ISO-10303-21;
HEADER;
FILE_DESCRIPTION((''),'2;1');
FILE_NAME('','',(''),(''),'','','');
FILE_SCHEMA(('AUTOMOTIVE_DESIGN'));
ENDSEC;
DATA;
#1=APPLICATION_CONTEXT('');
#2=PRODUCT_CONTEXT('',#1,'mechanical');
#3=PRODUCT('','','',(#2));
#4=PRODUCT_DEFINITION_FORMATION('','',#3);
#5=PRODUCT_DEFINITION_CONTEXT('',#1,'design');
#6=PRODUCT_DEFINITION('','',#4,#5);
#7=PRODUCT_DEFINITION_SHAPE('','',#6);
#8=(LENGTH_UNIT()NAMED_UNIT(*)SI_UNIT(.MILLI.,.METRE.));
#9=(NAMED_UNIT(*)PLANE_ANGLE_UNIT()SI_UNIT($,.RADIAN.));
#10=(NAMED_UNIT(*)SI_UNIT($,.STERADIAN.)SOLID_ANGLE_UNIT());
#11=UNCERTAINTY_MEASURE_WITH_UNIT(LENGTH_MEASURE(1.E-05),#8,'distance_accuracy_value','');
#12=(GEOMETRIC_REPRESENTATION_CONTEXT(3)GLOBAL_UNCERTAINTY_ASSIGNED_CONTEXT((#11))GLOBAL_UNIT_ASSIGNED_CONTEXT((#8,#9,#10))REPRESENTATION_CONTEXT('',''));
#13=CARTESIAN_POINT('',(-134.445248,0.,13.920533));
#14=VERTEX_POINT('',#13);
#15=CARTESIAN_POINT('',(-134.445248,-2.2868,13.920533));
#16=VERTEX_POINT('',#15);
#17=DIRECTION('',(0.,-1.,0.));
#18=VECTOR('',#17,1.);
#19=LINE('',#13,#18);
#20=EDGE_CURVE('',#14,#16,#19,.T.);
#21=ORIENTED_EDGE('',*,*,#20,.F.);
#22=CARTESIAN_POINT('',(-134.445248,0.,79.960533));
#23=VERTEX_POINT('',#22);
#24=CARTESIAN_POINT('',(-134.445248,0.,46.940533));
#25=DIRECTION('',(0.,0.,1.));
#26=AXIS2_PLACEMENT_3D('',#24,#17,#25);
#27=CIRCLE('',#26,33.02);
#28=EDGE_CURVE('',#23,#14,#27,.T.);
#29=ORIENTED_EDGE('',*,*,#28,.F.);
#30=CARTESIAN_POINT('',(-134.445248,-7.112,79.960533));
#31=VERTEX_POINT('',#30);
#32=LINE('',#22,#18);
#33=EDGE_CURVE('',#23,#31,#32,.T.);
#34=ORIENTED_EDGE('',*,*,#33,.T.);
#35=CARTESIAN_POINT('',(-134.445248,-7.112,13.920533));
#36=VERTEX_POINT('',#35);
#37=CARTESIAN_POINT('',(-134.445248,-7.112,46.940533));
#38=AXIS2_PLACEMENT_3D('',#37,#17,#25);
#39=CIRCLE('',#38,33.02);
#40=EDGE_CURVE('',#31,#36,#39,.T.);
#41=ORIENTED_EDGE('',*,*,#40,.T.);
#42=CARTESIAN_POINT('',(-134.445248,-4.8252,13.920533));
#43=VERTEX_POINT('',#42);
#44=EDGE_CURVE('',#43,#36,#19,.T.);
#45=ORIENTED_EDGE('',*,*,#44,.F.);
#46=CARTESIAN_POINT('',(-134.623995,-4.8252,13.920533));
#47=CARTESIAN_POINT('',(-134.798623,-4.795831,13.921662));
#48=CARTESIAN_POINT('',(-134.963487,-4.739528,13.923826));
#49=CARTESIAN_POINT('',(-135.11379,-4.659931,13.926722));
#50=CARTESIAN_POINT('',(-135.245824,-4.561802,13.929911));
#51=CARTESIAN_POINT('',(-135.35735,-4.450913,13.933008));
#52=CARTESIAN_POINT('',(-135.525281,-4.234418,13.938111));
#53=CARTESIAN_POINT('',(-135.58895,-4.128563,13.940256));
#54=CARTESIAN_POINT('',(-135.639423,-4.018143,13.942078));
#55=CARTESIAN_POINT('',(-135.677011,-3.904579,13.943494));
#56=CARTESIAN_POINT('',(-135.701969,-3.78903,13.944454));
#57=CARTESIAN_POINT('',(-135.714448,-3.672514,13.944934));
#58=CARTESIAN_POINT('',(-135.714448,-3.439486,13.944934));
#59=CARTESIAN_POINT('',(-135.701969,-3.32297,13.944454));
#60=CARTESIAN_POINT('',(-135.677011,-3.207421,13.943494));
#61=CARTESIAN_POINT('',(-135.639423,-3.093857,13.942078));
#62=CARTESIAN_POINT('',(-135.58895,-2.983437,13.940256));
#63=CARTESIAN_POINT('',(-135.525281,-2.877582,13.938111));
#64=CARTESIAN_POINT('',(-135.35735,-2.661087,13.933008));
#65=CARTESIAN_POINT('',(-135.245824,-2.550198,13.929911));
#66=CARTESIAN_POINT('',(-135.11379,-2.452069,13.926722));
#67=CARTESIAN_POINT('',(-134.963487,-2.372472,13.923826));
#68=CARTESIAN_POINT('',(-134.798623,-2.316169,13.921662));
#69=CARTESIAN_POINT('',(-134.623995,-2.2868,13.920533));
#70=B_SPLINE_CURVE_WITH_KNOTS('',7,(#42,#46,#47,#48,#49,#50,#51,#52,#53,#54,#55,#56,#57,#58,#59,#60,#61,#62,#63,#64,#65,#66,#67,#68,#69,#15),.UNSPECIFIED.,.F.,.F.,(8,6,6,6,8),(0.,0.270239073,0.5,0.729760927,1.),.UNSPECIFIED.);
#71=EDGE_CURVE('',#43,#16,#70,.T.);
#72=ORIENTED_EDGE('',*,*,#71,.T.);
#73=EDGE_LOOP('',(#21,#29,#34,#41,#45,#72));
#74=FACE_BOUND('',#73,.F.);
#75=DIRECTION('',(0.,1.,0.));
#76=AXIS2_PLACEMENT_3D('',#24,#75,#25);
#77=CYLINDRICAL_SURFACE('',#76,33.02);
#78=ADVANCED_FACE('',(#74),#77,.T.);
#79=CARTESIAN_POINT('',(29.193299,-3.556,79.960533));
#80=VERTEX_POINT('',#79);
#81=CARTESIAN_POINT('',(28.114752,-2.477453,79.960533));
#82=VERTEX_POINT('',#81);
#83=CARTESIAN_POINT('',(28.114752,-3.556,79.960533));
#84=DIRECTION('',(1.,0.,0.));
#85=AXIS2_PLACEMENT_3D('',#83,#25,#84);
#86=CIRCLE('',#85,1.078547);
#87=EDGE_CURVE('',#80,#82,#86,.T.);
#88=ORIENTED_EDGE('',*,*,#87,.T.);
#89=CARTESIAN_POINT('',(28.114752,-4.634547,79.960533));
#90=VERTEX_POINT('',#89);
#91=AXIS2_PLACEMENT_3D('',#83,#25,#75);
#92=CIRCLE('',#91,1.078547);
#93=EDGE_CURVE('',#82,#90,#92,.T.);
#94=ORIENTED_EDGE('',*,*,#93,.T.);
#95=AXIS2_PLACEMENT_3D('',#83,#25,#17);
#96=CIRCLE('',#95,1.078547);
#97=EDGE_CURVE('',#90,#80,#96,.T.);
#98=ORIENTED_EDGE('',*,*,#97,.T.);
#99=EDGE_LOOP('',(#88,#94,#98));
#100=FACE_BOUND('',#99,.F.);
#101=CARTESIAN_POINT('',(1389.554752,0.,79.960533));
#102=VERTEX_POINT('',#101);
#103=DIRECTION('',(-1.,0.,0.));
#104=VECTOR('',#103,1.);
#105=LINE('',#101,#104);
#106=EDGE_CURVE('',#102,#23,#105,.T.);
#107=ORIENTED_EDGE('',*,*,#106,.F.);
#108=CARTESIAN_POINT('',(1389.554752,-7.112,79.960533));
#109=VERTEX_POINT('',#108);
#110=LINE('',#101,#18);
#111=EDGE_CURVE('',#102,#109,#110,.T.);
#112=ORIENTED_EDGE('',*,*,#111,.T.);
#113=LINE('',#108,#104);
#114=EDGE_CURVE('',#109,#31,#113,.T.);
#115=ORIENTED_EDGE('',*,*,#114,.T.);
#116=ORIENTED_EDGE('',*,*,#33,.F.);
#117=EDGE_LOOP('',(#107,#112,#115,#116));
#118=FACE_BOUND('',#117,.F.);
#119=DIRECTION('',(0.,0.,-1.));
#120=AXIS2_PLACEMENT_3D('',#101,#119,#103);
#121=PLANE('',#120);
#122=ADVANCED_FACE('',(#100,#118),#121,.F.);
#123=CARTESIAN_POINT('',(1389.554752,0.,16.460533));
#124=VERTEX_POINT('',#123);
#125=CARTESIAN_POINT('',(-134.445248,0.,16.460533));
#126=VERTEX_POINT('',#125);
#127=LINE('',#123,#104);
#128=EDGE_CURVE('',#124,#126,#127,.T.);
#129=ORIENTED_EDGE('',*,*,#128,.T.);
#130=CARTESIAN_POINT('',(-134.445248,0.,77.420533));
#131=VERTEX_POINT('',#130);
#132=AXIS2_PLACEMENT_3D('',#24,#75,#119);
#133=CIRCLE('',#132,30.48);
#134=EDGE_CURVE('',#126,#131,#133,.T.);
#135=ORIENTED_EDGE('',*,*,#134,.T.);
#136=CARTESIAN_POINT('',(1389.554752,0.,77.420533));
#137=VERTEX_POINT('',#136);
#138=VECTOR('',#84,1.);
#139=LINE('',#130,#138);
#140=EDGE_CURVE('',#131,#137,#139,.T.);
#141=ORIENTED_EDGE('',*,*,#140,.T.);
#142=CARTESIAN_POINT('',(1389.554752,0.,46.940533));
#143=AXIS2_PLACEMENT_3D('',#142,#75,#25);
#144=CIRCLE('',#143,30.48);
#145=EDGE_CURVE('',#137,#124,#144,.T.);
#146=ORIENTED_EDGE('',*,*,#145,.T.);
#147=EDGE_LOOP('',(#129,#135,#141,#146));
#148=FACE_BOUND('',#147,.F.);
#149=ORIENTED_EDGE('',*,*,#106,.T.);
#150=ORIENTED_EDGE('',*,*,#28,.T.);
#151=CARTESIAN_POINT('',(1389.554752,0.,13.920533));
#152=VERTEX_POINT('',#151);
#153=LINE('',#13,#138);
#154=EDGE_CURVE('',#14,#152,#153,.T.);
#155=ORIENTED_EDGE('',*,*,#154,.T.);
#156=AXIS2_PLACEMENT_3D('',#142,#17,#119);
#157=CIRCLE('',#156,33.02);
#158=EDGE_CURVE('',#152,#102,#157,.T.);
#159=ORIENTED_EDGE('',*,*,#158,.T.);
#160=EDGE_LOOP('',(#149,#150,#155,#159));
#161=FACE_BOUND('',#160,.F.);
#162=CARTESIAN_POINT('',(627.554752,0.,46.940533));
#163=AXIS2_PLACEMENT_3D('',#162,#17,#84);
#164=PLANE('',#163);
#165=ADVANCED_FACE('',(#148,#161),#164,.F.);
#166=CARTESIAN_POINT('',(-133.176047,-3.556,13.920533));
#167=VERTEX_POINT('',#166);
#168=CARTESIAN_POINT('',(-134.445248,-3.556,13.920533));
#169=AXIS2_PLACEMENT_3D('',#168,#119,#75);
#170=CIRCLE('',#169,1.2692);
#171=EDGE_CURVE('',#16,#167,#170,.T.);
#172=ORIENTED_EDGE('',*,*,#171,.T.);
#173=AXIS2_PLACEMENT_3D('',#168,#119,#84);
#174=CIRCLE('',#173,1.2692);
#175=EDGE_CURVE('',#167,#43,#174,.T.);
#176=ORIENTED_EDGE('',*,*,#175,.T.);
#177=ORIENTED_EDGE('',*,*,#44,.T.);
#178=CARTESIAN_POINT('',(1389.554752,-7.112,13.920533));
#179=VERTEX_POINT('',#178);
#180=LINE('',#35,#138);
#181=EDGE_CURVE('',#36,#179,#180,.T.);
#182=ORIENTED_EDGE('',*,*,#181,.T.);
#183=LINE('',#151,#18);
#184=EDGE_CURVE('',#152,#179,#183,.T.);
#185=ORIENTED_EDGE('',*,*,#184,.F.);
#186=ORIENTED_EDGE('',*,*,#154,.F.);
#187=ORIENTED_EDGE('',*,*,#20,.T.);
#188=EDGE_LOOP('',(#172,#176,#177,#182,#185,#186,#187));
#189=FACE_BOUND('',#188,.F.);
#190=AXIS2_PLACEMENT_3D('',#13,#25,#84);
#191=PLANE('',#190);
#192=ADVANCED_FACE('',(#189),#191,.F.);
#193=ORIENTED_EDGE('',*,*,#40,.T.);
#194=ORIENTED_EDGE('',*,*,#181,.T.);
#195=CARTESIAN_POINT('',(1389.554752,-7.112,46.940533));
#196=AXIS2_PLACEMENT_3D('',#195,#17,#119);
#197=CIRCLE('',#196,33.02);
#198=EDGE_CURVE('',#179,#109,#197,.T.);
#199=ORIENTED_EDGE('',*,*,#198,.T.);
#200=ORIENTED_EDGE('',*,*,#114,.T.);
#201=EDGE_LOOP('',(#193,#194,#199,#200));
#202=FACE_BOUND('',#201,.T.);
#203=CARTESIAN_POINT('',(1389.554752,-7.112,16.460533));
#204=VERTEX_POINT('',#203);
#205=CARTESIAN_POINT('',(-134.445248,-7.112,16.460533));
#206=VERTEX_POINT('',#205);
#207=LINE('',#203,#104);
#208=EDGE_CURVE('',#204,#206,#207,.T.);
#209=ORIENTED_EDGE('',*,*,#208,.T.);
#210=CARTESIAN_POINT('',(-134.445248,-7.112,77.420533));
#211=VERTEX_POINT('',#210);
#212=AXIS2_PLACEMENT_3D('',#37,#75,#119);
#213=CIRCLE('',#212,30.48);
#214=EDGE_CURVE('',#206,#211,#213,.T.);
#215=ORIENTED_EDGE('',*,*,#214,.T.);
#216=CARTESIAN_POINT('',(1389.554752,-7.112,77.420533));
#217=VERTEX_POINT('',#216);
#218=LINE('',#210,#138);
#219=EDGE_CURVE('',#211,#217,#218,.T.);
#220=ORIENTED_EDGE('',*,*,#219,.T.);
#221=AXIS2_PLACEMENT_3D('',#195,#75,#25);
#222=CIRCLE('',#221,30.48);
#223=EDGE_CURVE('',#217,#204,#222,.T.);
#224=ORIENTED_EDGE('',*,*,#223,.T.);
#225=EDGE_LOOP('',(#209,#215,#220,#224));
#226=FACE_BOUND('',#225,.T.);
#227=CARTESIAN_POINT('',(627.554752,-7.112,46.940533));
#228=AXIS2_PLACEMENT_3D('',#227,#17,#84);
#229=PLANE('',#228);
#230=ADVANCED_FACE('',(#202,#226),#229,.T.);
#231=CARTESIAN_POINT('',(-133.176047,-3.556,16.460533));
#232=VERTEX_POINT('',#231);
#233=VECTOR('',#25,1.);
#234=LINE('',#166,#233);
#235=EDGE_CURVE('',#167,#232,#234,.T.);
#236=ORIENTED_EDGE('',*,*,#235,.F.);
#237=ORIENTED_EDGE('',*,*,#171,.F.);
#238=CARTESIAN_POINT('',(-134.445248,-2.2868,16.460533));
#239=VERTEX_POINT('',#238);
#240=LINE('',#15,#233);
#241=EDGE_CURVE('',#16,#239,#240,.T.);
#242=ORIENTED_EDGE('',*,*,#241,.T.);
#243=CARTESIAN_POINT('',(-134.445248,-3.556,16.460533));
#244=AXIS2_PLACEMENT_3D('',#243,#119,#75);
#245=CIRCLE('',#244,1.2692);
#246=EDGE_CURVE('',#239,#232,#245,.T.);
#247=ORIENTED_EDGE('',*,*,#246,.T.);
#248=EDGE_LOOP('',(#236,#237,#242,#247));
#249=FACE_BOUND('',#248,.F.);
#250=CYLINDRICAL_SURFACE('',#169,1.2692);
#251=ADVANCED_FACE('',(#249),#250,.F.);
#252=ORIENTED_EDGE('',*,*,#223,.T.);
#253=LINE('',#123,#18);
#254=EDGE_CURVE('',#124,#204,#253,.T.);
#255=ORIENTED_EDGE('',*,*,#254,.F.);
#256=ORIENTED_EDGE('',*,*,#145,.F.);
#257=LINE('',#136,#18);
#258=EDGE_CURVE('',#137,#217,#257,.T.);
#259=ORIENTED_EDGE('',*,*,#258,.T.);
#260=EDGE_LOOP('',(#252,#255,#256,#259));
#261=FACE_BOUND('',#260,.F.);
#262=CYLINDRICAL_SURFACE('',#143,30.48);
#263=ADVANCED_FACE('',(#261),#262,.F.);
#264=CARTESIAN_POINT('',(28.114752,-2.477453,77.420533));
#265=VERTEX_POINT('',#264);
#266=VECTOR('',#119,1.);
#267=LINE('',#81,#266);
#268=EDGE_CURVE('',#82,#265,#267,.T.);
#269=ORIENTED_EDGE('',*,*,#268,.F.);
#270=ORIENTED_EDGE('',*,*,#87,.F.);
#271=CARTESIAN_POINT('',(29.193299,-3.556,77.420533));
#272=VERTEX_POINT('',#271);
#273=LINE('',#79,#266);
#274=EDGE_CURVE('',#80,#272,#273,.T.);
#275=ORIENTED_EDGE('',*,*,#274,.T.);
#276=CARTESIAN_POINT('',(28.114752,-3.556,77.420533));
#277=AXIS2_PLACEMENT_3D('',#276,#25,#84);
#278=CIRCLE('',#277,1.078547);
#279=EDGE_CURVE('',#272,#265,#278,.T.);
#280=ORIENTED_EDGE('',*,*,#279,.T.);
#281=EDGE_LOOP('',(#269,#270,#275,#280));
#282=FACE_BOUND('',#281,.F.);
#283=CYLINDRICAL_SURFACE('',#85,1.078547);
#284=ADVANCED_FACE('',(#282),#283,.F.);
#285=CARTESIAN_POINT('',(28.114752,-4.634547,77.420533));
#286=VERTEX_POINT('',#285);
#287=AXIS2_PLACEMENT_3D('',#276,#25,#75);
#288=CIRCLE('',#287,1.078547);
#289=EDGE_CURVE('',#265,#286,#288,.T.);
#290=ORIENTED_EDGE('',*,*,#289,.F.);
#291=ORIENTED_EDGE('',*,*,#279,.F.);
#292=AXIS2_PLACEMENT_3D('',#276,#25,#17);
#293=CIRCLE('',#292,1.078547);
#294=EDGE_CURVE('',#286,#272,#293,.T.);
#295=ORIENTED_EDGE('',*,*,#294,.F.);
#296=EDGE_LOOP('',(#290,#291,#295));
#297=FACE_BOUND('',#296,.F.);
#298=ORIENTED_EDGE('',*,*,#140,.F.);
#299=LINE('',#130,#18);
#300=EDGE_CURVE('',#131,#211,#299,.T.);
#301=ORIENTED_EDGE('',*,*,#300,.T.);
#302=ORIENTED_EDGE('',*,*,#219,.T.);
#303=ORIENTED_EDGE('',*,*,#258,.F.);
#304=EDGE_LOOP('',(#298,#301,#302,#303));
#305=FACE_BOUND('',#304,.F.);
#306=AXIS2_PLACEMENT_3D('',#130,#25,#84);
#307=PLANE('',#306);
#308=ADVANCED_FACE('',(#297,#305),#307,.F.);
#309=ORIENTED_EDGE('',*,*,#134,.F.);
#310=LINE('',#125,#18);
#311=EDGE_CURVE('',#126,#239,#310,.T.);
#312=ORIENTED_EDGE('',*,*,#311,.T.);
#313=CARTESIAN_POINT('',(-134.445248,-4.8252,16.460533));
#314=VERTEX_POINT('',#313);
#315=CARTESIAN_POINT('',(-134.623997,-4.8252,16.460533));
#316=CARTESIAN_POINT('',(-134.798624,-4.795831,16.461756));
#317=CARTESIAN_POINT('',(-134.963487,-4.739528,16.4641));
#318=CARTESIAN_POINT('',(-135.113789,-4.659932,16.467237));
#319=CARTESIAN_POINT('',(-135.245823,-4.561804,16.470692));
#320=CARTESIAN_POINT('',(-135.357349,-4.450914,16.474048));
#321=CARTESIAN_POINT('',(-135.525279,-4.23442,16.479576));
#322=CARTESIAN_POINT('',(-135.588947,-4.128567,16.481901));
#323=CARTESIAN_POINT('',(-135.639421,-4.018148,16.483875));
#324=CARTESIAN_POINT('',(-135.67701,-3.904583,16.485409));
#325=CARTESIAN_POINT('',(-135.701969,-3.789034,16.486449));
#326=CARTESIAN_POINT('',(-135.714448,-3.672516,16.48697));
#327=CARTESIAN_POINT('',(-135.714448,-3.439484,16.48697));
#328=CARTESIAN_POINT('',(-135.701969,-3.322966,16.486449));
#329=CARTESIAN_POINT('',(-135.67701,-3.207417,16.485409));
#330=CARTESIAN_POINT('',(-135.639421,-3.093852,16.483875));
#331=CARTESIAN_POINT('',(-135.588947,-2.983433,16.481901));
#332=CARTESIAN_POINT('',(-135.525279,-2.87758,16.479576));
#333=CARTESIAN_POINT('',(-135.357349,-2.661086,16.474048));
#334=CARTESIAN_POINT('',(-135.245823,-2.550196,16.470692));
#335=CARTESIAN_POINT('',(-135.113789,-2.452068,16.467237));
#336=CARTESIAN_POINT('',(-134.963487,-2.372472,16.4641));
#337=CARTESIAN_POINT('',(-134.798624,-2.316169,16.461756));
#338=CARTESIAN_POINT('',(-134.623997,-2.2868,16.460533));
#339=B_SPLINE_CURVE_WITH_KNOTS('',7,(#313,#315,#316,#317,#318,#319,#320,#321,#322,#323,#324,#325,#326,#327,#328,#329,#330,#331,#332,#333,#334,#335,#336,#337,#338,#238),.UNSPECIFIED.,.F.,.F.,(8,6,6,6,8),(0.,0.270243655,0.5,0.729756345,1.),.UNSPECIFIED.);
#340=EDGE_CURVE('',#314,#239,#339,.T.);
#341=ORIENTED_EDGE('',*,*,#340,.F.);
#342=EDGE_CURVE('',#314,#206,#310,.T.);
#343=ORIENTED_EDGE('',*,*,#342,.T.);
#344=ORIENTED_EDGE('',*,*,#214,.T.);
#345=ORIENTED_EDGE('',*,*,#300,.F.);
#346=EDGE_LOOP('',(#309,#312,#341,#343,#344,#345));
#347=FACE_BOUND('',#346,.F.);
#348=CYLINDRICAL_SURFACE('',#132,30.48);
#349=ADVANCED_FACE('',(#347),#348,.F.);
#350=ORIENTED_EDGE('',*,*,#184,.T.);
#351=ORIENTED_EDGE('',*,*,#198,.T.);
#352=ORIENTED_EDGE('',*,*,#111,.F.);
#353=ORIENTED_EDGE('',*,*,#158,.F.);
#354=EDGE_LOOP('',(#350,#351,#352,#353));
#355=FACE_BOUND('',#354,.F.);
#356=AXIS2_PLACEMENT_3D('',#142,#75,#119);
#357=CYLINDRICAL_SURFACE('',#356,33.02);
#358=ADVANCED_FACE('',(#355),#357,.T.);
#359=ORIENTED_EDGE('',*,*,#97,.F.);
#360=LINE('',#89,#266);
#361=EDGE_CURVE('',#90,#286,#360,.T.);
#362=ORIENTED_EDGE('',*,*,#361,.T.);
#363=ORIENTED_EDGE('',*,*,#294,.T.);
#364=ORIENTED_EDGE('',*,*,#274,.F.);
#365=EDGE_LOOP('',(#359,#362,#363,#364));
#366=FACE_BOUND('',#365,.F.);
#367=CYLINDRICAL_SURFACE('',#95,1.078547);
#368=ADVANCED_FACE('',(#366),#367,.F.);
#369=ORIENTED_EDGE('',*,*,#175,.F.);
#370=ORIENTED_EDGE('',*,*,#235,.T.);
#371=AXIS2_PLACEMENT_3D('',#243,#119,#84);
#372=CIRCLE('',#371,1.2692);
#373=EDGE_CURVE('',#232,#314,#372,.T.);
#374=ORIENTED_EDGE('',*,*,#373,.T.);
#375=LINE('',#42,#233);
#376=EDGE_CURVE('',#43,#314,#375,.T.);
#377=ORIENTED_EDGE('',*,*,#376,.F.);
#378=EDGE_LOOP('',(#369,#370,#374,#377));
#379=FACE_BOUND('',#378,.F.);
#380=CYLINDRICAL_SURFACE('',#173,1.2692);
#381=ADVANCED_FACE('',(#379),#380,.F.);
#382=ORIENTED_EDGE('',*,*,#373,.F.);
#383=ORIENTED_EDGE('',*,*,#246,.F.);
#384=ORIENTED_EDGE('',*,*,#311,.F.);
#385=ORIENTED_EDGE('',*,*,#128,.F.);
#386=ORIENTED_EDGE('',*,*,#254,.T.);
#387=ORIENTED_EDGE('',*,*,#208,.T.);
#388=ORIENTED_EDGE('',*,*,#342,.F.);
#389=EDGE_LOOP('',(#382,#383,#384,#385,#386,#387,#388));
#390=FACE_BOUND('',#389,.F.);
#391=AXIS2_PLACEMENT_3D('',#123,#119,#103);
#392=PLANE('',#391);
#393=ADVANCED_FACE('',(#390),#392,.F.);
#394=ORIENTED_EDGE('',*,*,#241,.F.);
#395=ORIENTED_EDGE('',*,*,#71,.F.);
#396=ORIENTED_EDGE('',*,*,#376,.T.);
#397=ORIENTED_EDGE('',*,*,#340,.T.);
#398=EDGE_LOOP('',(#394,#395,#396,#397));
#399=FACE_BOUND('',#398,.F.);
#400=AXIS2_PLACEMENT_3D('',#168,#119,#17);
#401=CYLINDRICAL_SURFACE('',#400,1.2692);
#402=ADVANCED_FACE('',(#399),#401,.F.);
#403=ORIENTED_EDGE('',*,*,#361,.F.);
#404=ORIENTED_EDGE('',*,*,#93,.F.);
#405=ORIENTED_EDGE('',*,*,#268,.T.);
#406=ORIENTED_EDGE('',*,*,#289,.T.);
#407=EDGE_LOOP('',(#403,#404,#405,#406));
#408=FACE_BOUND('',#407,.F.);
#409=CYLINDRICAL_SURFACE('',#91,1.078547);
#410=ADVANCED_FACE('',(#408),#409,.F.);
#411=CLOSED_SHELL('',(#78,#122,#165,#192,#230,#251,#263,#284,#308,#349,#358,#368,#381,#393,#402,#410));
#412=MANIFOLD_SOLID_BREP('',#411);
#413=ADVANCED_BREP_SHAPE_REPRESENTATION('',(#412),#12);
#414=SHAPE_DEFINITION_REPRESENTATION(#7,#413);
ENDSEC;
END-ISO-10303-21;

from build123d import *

# Parameters (mm, degrees)
F1_DEPTH = 7.112
F3_DEPTH = 25.4
F6_DEPTH = 25.4


with BuildPart() as f1:
    # F0 (on Front) → F1 (new body)
    with BuildSketch(Plane.XZ):
        with BuildLine():
            Line((-134.4452477908, 13.9205330778), (1389.5547522092, 13.9205330778))
            ThreePointArc((1389.5547522092, 13.9205330778), (1422.5747522092, 46.9405330778), (1389.5547522092, 79.9605330778))
            Line((1389.5547522092, 79.9605330778), (-134.4452477908, 79.9605330778))
            ThreePointArc((-134.4452477908, 79.9605330778), (-167.4652477908, 46.9405330778), (-134.4452477908, 13.9205330778))
        make_face()
        with BuildLine():
            ThreePointArc((-134.4452477908, 16.4605330778), (-164.9252477908, 46.9405330778), (-134.4452477908, 77.4205330778))
            Line((-134.4452477908, 77.4205330778), (1389.5547522092, 77.4205330778))
            ThreePointArc((1389.5547522092, 77.4205330778), (1420.0347522092, 46.9405330778), (1389.5547522092, 16.4605330778))
            Line((1389.5547522092, 16.4605330778), (-134.4452477908, 16.4605330778))
        make_face(mode=Mode.SUBTRACT)
    extrude(amount=F1_DEPTH)

    # F2 (on face) → F3 (cut)
    with BuildSketch(Plane.XY.offset(79.9605330778)):
        with BuildLine():
            Line((28.1147522092, -4.6345466567), (28.1147522092, -2.4774533433))
            ThreePointArc((28.1147522092, -2.4774533433), (27.0362055525, -3.556), (28.1147522092, -4.6345466567))
        make_face()
        with BuildLine():
            ThreePointArc((29.1932988659, -3.556), (28.877399864, -2.7933523452), (28.1147522092, -2.4774533433))
            Line((28.1147522092, -2.4774533433), (28.1147522092, -4.6345466567))
            ThreePointArc((28.1147522092, -4.6345466567), (28.877399864, -4.3186476548), (29.1932988659, -3.556))
        make_face()
    extrude(amount=-F3_DEPTH, mode=Mode.SUBTRACT)

    # F5 (on face) → F6 (cut)
    with BuildSketch(Plane(origin=(0, 0, 13.9205330778), x_dir=(1, 0, 0), z_dir=(0, 0, -1))):
        with BuildLine():
            ThreePointArc((-134.4452477908, 2.2867995466), (-133.5477875436, 2.6585397527), (-133.1760473375, 3.556))
            ThreePointArc((-133.1760473375, 3.556), (-133.5477875436, 4.4534602473), (-134.4452477908, 4.8252004534))
            Line((-134.4452477908, 4.8252004534), (-134.4452477908, 2.2867995466))
        make_face()
        with BuildLine():
            Line((-134.4452477908, 2.2867995466), (-134.4452477908, 4.8252004534))
            ThreePointArc((-134.4452477908, 4.8252004534), (-135.7144482442, 3.556), (-134.4452477908, 2.2867995466))
        make_face()
    extrude(amount=-F6_DEPTH, mode=Mode.SUBTRACT)


solid = f1.part
